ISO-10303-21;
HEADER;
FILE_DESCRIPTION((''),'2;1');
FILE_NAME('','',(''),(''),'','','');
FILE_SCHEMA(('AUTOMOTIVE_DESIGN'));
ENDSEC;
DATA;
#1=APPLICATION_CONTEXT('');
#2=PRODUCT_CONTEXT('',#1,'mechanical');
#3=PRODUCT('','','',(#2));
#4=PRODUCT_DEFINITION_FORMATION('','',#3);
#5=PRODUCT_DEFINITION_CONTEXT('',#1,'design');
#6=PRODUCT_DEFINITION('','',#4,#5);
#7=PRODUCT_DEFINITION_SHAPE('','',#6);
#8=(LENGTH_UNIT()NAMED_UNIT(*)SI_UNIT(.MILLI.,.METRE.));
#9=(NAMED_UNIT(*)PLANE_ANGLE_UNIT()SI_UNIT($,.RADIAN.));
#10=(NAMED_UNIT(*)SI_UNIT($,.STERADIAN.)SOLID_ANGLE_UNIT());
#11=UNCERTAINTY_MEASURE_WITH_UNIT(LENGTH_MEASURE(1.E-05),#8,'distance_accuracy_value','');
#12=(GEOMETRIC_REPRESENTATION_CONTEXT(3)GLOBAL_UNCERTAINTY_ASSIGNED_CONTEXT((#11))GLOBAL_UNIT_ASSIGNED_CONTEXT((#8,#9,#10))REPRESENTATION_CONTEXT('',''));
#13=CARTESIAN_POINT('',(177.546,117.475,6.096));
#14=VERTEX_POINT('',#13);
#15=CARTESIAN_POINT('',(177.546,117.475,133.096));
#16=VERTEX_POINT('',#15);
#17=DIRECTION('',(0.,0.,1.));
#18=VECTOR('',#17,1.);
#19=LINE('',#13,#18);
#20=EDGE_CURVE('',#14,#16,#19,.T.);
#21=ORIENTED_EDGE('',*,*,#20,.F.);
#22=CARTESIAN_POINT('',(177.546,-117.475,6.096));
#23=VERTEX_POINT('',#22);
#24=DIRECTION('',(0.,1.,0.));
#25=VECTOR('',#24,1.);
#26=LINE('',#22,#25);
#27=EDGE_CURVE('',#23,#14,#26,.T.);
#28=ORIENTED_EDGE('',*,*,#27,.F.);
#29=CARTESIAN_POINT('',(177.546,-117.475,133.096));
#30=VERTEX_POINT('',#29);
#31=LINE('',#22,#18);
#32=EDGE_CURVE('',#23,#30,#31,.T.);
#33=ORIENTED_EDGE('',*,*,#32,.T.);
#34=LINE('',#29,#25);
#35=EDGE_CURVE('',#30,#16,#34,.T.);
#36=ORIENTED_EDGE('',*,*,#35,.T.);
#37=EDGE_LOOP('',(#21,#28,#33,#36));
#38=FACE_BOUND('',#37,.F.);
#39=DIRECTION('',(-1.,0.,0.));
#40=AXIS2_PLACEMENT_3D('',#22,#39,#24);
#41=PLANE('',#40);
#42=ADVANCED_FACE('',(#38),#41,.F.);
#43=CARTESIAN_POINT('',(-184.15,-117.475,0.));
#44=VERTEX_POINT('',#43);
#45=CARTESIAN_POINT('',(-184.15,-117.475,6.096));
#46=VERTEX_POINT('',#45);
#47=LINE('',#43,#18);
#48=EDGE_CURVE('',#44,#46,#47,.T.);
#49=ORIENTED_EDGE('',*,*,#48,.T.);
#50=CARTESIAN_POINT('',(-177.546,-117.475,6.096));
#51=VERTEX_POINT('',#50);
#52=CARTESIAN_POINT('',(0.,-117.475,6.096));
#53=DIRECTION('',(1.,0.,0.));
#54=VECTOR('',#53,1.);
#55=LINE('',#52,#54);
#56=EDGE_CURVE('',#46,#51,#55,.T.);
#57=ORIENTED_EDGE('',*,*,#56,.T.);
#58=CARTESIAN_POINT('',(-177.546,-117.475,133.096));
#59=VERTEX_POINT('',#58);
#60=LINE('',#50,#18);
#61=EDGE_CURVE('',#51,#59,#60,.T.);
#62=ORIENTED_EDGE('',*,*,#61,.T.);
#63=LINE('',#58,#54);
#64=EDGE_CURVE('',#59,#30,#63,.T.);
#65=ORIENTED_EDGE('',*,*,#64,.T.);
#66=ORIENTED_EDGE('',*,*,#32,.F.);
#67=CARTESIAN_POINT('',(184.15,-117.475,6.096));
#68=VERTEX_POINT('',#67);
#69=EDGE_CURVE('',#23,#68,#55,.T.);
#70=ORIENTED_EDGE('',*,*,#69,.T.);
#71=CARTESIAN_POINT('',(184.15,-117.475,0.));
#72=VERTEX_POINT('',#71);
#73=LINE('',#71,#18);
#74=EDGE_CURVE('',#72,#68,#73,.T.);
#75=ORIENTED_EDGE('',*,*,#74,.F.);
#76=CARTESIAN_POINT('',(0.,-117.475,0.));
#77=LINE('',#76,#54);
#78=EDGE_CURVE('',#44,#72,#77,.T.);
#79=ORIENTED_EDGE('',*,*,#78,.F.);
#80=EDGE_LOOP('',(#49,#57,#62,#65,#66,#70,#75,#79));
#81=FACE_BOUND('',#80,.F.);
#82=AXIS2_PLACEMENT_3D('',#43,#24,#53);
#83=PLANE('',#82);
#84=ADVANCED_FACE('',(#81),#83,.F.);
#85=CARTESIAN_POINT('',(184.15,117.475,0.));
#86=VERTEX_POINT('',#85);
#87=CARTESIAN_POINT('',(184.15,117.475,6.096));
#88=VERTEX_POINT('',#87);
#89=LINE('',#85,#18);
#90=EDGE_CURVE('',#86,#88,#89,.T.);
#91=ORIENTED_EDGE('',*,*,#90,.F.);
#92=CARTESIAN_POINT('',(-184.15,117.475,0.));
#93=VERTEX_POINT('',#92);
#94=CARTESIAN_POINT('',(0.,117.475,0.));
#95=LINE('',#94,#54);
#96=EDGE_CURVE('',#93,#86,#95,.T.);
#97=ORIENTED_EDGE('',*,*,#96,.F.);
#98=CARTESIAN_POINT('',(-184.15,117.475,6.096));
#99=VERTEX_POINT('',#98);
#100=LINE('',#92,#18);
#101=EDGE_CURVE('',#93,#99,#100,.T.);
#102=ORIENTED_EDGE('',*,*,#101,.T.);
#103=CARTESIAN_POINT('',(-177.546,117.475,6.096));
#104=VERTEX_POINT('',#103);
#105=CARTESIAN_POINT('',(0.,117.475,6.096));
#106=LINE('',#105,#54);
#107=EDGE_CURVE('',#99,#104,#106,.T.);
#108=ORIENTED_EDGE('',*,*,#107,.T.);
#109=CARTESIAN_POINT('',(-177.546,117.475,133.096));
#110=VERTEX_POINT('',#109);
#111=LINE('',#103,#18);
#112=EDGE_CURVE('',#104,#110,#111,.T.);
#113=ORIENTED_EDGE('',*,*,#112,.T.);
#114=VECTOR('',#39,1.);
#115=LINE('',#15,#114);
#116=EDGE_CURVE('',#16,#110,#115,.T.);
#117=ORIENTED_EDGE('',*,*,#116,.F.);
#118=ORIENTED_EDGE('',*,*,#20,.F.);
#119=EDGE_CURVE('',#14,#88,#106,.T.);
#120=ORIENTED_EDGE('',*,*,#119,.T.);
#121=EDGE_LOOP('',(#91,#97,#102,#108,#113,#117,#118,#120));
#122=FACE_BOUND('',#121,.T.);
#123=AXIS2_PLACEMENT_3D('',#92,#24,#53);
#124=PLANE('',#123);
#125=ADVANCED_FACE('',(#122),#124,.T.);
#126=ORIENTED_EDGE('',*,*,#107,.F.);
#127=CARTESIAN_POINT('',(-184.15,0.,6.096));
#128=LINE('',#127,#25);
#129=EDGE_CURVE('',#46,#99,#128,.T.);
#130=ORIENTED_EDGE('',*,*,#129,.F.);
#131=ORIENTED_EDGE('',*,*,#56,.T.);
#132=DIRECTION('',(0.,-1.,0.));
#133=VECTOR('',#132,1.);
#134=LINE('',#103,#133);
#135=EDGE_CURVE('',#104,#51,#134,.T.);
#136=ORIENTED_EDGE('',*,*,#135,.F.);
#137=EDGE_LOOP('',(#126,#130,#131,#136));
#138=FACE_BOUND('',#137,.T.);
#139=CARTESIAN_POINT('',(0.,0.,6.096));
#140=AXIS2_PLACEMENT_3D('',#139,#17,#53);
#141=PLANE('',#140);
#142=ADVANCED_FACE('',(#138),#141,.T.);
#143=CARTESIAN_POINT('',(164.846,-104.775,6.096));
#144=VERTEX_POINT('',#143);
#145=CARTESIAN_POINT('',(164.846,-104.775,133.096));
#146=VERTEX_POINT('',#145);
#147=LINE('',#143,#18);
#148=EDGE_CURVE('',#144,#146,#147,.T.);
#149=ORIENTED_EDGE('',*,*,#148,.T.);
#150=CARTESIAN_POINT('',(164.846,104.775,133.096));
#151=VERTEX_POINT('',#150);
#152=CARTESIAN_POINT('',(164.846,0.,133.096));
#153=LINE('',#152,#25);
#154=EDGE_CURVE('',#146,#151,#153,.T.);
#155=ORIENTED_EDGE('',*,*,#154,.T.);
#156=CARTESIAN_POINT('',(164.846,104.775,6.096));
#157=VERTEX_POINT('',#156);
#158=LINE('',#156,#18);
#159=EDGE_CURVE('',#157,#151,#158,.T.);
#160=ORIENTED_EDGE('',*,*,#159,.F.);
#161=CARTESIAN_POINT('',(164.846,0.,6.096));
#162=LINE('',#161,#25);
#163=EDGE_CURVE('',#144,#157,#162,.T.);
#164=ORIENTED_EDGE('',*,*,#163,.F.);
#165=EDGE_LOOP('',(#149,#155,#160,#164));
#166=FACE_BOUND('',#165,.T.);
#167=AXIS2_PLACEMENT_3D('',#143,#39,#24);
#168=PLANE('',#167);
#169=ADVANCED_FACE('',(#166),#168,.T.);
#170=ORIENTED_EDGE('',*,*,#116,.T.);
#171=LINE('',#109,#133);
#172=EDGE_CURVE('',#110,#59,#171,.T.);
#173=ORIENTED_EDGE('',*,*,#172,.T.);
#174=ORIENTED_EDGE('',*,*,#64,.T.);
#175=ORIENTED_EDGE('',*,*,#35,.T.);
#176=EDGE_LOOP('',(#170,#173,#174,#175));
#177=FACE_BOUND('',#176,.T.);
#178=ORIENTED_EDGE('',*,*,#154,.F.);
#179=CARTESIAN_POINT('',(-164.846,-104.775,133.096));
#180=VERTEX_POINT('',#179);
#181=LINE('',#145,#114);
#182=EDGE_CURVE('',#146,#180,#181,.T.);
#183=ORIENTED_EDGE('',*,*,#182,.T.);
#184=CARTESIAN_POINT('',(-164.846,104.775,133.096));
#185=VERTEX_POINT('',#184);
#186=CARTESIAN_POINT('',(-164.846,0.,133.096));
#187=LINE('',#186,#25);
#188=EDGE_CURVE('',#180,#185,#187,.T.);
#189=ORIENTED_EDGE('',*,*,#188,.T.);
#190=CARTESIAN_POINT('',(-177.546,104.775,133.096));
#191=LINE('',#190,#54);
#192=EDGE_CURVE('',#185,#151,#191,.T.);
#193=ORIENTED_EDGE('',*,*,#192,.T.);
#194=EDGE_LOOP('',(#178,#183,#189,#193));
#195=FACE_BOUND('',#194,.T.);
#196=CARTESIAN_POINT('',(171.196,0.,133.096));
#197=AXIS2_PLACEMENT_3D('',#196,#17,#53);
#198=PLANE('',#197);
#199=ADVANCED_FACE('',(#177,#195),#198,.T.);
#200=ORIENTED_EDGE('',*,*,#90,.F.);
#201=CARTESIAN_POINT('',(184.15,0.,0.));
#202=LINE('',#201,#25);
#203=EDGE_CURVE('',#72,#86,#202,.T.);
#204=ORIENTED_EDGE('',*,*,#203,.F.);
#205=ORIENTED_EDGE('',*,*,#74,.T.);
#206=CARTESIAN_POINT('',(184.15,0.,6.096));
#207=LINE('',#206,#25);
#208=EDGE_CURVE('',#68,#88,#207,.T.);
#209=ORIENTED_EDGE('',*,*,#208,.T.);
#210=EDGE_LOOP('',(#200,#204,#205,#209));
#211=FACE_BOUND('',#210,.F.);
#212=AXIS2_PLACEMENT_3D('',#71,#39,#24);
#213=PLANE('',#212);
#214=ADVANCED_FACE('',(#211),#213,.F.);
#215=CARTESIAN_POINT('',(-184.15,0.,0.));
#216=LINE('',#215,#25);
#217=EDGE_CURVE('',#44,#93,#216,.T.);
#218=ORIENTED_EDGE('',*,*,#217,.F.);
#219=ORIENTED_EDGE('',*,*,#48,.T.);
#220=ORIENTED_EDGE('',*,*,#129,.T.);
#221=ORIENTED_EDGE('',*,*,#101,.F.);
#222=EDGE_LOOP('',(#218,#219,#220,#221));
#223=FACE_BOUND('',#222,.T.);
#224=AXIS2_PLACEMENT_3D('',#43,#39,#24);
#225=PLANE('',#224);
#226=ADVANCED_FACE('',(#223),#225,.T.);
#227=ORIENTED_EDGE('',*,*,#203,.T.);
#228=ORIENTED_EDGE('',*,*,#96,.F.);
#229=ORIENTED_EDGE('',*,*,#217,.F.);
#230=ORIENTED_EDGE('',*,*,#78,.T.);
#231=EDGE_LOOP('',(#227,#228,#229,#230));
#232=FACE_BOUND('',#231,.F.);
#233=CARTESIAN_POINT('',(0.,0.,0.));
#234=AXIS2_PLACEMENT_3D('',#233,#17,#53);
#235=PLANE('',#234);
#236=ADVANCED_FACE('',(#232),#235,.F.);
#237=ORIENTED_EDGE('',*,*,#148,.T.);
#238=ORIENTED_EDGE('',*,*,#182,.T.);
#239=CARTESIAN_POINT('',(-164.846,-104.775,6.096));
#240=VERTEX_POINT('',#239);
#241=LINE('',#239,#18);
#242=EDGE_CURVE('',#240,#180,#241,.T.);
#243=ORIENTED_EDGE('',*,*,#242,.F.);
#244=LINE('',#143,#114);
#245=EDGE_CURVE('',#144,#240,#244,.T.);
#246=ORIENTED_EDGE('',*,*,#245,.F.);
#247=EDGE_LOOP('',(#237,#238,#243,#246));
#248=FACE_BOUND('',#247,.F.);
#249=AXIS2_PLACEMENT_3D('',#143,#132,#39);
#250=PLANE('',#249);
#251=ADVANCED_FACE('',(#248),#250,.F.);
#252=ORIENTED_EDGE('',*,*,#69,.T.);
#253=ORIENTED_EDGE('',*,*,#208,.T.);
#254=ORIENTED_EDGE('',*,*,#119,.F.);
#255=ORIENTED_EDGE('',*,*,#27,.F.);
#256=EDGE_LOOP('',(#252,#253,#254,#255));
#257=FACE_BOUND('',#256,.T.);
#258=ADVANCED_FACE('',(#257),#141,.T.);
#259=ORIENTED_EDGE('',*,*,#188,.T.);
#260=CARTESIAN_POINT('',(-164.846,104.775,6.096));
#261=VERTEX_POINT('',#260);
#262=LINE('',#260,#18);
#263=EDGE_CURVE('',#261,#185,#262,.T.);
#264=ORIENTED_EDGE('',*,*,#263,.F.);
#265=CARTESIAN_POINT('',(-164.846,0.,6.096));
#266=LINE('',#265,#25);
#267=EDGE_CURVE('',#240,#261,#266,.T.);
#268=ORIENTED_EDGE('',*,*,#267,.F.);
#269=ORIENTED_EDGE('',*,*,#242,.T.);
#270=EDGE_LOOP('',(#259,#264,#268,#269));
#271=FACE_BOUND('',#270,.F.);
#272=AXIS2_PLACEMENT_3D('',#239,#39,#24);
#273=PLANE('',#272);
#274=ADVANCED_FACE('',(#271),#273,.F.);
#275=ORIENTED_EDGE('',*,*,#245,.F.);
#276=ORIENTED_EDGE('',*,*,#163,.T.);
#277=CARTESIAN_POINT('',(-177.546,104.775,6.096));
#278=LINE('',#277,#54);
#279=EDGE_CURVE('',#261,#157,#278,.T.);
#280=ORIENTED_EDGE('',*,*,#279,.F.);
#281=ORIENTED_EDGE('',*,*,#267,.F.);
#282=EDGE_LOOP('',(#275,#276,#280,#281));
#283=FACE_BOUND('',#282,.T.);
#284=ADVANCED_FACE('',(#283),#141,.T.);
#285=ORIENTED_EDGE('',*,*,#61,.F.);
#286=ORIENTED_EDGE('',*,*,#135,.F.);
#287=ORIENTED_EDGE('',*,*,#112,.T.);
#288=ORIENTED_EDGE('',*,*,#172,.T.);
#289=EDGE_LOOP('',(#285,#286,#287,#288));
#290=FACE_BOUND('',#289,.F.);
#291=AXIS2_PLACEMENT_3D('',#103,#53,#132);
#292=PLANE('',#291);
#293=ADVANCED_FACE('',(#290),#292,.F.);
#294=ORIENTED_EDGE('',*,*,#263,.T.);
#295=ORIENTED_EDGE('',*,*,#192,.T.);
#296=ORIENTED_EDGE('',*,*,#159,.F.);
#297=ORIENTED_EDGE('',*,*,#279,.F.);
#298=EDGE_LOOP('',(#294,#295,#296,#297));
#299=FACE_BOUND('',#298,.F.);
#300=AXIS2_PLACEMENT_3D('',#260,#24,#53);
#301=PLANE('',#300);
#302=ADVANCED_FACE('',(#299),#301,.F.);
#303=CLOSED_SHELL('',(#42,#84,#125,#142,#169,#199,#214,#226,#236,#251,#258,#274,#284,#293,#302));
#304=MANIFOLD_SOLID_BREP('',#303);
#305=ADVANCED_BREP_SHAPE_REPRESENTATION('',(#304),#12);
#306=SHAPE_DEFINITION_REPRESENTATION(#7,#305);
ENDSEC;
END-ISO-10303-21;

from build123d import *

# Parameters (mm, degrees)
F0_W     = 368.3
F0_H     = 234.95
F1_DEPTH = 6.096
F2_W     = 12.7
F2_H     = 209.55
F3_DEPTH = 127


with BuildPart() as f1:
    # F0 (on Top) → F1 (new body)
    with BuildSketch(Plane.XY):
        Rectangle(F0_W, F0_H)
    extrude(amount=F1_DEPTH)

    # F2 (on face) → F3 (join)
    with BuildSketch(Plane.XY.offset(6.096)):
        with Locations((171.196, 0)):
            Rectangle(F2_W, F2_H)
        Polygon((177.546, 104.775), (177.546, 117.475), (-177.546, 117.475), (-177.546, 104.775), (-164.846, 104.775), (164.846, 104.775), align=None)
        with Locations((-171.196, 0)):
            Rectangle(F2_W, F2_H)
        Polygon((177.546, -117.475), (177.546, -104.775), (164.846, -104.775), (-164.846, -104.775), (-177.546, -104.775), (-177.546, -117.475), align=None)
    extrude(amount=F3_DEPTH)


solid = f1.part
